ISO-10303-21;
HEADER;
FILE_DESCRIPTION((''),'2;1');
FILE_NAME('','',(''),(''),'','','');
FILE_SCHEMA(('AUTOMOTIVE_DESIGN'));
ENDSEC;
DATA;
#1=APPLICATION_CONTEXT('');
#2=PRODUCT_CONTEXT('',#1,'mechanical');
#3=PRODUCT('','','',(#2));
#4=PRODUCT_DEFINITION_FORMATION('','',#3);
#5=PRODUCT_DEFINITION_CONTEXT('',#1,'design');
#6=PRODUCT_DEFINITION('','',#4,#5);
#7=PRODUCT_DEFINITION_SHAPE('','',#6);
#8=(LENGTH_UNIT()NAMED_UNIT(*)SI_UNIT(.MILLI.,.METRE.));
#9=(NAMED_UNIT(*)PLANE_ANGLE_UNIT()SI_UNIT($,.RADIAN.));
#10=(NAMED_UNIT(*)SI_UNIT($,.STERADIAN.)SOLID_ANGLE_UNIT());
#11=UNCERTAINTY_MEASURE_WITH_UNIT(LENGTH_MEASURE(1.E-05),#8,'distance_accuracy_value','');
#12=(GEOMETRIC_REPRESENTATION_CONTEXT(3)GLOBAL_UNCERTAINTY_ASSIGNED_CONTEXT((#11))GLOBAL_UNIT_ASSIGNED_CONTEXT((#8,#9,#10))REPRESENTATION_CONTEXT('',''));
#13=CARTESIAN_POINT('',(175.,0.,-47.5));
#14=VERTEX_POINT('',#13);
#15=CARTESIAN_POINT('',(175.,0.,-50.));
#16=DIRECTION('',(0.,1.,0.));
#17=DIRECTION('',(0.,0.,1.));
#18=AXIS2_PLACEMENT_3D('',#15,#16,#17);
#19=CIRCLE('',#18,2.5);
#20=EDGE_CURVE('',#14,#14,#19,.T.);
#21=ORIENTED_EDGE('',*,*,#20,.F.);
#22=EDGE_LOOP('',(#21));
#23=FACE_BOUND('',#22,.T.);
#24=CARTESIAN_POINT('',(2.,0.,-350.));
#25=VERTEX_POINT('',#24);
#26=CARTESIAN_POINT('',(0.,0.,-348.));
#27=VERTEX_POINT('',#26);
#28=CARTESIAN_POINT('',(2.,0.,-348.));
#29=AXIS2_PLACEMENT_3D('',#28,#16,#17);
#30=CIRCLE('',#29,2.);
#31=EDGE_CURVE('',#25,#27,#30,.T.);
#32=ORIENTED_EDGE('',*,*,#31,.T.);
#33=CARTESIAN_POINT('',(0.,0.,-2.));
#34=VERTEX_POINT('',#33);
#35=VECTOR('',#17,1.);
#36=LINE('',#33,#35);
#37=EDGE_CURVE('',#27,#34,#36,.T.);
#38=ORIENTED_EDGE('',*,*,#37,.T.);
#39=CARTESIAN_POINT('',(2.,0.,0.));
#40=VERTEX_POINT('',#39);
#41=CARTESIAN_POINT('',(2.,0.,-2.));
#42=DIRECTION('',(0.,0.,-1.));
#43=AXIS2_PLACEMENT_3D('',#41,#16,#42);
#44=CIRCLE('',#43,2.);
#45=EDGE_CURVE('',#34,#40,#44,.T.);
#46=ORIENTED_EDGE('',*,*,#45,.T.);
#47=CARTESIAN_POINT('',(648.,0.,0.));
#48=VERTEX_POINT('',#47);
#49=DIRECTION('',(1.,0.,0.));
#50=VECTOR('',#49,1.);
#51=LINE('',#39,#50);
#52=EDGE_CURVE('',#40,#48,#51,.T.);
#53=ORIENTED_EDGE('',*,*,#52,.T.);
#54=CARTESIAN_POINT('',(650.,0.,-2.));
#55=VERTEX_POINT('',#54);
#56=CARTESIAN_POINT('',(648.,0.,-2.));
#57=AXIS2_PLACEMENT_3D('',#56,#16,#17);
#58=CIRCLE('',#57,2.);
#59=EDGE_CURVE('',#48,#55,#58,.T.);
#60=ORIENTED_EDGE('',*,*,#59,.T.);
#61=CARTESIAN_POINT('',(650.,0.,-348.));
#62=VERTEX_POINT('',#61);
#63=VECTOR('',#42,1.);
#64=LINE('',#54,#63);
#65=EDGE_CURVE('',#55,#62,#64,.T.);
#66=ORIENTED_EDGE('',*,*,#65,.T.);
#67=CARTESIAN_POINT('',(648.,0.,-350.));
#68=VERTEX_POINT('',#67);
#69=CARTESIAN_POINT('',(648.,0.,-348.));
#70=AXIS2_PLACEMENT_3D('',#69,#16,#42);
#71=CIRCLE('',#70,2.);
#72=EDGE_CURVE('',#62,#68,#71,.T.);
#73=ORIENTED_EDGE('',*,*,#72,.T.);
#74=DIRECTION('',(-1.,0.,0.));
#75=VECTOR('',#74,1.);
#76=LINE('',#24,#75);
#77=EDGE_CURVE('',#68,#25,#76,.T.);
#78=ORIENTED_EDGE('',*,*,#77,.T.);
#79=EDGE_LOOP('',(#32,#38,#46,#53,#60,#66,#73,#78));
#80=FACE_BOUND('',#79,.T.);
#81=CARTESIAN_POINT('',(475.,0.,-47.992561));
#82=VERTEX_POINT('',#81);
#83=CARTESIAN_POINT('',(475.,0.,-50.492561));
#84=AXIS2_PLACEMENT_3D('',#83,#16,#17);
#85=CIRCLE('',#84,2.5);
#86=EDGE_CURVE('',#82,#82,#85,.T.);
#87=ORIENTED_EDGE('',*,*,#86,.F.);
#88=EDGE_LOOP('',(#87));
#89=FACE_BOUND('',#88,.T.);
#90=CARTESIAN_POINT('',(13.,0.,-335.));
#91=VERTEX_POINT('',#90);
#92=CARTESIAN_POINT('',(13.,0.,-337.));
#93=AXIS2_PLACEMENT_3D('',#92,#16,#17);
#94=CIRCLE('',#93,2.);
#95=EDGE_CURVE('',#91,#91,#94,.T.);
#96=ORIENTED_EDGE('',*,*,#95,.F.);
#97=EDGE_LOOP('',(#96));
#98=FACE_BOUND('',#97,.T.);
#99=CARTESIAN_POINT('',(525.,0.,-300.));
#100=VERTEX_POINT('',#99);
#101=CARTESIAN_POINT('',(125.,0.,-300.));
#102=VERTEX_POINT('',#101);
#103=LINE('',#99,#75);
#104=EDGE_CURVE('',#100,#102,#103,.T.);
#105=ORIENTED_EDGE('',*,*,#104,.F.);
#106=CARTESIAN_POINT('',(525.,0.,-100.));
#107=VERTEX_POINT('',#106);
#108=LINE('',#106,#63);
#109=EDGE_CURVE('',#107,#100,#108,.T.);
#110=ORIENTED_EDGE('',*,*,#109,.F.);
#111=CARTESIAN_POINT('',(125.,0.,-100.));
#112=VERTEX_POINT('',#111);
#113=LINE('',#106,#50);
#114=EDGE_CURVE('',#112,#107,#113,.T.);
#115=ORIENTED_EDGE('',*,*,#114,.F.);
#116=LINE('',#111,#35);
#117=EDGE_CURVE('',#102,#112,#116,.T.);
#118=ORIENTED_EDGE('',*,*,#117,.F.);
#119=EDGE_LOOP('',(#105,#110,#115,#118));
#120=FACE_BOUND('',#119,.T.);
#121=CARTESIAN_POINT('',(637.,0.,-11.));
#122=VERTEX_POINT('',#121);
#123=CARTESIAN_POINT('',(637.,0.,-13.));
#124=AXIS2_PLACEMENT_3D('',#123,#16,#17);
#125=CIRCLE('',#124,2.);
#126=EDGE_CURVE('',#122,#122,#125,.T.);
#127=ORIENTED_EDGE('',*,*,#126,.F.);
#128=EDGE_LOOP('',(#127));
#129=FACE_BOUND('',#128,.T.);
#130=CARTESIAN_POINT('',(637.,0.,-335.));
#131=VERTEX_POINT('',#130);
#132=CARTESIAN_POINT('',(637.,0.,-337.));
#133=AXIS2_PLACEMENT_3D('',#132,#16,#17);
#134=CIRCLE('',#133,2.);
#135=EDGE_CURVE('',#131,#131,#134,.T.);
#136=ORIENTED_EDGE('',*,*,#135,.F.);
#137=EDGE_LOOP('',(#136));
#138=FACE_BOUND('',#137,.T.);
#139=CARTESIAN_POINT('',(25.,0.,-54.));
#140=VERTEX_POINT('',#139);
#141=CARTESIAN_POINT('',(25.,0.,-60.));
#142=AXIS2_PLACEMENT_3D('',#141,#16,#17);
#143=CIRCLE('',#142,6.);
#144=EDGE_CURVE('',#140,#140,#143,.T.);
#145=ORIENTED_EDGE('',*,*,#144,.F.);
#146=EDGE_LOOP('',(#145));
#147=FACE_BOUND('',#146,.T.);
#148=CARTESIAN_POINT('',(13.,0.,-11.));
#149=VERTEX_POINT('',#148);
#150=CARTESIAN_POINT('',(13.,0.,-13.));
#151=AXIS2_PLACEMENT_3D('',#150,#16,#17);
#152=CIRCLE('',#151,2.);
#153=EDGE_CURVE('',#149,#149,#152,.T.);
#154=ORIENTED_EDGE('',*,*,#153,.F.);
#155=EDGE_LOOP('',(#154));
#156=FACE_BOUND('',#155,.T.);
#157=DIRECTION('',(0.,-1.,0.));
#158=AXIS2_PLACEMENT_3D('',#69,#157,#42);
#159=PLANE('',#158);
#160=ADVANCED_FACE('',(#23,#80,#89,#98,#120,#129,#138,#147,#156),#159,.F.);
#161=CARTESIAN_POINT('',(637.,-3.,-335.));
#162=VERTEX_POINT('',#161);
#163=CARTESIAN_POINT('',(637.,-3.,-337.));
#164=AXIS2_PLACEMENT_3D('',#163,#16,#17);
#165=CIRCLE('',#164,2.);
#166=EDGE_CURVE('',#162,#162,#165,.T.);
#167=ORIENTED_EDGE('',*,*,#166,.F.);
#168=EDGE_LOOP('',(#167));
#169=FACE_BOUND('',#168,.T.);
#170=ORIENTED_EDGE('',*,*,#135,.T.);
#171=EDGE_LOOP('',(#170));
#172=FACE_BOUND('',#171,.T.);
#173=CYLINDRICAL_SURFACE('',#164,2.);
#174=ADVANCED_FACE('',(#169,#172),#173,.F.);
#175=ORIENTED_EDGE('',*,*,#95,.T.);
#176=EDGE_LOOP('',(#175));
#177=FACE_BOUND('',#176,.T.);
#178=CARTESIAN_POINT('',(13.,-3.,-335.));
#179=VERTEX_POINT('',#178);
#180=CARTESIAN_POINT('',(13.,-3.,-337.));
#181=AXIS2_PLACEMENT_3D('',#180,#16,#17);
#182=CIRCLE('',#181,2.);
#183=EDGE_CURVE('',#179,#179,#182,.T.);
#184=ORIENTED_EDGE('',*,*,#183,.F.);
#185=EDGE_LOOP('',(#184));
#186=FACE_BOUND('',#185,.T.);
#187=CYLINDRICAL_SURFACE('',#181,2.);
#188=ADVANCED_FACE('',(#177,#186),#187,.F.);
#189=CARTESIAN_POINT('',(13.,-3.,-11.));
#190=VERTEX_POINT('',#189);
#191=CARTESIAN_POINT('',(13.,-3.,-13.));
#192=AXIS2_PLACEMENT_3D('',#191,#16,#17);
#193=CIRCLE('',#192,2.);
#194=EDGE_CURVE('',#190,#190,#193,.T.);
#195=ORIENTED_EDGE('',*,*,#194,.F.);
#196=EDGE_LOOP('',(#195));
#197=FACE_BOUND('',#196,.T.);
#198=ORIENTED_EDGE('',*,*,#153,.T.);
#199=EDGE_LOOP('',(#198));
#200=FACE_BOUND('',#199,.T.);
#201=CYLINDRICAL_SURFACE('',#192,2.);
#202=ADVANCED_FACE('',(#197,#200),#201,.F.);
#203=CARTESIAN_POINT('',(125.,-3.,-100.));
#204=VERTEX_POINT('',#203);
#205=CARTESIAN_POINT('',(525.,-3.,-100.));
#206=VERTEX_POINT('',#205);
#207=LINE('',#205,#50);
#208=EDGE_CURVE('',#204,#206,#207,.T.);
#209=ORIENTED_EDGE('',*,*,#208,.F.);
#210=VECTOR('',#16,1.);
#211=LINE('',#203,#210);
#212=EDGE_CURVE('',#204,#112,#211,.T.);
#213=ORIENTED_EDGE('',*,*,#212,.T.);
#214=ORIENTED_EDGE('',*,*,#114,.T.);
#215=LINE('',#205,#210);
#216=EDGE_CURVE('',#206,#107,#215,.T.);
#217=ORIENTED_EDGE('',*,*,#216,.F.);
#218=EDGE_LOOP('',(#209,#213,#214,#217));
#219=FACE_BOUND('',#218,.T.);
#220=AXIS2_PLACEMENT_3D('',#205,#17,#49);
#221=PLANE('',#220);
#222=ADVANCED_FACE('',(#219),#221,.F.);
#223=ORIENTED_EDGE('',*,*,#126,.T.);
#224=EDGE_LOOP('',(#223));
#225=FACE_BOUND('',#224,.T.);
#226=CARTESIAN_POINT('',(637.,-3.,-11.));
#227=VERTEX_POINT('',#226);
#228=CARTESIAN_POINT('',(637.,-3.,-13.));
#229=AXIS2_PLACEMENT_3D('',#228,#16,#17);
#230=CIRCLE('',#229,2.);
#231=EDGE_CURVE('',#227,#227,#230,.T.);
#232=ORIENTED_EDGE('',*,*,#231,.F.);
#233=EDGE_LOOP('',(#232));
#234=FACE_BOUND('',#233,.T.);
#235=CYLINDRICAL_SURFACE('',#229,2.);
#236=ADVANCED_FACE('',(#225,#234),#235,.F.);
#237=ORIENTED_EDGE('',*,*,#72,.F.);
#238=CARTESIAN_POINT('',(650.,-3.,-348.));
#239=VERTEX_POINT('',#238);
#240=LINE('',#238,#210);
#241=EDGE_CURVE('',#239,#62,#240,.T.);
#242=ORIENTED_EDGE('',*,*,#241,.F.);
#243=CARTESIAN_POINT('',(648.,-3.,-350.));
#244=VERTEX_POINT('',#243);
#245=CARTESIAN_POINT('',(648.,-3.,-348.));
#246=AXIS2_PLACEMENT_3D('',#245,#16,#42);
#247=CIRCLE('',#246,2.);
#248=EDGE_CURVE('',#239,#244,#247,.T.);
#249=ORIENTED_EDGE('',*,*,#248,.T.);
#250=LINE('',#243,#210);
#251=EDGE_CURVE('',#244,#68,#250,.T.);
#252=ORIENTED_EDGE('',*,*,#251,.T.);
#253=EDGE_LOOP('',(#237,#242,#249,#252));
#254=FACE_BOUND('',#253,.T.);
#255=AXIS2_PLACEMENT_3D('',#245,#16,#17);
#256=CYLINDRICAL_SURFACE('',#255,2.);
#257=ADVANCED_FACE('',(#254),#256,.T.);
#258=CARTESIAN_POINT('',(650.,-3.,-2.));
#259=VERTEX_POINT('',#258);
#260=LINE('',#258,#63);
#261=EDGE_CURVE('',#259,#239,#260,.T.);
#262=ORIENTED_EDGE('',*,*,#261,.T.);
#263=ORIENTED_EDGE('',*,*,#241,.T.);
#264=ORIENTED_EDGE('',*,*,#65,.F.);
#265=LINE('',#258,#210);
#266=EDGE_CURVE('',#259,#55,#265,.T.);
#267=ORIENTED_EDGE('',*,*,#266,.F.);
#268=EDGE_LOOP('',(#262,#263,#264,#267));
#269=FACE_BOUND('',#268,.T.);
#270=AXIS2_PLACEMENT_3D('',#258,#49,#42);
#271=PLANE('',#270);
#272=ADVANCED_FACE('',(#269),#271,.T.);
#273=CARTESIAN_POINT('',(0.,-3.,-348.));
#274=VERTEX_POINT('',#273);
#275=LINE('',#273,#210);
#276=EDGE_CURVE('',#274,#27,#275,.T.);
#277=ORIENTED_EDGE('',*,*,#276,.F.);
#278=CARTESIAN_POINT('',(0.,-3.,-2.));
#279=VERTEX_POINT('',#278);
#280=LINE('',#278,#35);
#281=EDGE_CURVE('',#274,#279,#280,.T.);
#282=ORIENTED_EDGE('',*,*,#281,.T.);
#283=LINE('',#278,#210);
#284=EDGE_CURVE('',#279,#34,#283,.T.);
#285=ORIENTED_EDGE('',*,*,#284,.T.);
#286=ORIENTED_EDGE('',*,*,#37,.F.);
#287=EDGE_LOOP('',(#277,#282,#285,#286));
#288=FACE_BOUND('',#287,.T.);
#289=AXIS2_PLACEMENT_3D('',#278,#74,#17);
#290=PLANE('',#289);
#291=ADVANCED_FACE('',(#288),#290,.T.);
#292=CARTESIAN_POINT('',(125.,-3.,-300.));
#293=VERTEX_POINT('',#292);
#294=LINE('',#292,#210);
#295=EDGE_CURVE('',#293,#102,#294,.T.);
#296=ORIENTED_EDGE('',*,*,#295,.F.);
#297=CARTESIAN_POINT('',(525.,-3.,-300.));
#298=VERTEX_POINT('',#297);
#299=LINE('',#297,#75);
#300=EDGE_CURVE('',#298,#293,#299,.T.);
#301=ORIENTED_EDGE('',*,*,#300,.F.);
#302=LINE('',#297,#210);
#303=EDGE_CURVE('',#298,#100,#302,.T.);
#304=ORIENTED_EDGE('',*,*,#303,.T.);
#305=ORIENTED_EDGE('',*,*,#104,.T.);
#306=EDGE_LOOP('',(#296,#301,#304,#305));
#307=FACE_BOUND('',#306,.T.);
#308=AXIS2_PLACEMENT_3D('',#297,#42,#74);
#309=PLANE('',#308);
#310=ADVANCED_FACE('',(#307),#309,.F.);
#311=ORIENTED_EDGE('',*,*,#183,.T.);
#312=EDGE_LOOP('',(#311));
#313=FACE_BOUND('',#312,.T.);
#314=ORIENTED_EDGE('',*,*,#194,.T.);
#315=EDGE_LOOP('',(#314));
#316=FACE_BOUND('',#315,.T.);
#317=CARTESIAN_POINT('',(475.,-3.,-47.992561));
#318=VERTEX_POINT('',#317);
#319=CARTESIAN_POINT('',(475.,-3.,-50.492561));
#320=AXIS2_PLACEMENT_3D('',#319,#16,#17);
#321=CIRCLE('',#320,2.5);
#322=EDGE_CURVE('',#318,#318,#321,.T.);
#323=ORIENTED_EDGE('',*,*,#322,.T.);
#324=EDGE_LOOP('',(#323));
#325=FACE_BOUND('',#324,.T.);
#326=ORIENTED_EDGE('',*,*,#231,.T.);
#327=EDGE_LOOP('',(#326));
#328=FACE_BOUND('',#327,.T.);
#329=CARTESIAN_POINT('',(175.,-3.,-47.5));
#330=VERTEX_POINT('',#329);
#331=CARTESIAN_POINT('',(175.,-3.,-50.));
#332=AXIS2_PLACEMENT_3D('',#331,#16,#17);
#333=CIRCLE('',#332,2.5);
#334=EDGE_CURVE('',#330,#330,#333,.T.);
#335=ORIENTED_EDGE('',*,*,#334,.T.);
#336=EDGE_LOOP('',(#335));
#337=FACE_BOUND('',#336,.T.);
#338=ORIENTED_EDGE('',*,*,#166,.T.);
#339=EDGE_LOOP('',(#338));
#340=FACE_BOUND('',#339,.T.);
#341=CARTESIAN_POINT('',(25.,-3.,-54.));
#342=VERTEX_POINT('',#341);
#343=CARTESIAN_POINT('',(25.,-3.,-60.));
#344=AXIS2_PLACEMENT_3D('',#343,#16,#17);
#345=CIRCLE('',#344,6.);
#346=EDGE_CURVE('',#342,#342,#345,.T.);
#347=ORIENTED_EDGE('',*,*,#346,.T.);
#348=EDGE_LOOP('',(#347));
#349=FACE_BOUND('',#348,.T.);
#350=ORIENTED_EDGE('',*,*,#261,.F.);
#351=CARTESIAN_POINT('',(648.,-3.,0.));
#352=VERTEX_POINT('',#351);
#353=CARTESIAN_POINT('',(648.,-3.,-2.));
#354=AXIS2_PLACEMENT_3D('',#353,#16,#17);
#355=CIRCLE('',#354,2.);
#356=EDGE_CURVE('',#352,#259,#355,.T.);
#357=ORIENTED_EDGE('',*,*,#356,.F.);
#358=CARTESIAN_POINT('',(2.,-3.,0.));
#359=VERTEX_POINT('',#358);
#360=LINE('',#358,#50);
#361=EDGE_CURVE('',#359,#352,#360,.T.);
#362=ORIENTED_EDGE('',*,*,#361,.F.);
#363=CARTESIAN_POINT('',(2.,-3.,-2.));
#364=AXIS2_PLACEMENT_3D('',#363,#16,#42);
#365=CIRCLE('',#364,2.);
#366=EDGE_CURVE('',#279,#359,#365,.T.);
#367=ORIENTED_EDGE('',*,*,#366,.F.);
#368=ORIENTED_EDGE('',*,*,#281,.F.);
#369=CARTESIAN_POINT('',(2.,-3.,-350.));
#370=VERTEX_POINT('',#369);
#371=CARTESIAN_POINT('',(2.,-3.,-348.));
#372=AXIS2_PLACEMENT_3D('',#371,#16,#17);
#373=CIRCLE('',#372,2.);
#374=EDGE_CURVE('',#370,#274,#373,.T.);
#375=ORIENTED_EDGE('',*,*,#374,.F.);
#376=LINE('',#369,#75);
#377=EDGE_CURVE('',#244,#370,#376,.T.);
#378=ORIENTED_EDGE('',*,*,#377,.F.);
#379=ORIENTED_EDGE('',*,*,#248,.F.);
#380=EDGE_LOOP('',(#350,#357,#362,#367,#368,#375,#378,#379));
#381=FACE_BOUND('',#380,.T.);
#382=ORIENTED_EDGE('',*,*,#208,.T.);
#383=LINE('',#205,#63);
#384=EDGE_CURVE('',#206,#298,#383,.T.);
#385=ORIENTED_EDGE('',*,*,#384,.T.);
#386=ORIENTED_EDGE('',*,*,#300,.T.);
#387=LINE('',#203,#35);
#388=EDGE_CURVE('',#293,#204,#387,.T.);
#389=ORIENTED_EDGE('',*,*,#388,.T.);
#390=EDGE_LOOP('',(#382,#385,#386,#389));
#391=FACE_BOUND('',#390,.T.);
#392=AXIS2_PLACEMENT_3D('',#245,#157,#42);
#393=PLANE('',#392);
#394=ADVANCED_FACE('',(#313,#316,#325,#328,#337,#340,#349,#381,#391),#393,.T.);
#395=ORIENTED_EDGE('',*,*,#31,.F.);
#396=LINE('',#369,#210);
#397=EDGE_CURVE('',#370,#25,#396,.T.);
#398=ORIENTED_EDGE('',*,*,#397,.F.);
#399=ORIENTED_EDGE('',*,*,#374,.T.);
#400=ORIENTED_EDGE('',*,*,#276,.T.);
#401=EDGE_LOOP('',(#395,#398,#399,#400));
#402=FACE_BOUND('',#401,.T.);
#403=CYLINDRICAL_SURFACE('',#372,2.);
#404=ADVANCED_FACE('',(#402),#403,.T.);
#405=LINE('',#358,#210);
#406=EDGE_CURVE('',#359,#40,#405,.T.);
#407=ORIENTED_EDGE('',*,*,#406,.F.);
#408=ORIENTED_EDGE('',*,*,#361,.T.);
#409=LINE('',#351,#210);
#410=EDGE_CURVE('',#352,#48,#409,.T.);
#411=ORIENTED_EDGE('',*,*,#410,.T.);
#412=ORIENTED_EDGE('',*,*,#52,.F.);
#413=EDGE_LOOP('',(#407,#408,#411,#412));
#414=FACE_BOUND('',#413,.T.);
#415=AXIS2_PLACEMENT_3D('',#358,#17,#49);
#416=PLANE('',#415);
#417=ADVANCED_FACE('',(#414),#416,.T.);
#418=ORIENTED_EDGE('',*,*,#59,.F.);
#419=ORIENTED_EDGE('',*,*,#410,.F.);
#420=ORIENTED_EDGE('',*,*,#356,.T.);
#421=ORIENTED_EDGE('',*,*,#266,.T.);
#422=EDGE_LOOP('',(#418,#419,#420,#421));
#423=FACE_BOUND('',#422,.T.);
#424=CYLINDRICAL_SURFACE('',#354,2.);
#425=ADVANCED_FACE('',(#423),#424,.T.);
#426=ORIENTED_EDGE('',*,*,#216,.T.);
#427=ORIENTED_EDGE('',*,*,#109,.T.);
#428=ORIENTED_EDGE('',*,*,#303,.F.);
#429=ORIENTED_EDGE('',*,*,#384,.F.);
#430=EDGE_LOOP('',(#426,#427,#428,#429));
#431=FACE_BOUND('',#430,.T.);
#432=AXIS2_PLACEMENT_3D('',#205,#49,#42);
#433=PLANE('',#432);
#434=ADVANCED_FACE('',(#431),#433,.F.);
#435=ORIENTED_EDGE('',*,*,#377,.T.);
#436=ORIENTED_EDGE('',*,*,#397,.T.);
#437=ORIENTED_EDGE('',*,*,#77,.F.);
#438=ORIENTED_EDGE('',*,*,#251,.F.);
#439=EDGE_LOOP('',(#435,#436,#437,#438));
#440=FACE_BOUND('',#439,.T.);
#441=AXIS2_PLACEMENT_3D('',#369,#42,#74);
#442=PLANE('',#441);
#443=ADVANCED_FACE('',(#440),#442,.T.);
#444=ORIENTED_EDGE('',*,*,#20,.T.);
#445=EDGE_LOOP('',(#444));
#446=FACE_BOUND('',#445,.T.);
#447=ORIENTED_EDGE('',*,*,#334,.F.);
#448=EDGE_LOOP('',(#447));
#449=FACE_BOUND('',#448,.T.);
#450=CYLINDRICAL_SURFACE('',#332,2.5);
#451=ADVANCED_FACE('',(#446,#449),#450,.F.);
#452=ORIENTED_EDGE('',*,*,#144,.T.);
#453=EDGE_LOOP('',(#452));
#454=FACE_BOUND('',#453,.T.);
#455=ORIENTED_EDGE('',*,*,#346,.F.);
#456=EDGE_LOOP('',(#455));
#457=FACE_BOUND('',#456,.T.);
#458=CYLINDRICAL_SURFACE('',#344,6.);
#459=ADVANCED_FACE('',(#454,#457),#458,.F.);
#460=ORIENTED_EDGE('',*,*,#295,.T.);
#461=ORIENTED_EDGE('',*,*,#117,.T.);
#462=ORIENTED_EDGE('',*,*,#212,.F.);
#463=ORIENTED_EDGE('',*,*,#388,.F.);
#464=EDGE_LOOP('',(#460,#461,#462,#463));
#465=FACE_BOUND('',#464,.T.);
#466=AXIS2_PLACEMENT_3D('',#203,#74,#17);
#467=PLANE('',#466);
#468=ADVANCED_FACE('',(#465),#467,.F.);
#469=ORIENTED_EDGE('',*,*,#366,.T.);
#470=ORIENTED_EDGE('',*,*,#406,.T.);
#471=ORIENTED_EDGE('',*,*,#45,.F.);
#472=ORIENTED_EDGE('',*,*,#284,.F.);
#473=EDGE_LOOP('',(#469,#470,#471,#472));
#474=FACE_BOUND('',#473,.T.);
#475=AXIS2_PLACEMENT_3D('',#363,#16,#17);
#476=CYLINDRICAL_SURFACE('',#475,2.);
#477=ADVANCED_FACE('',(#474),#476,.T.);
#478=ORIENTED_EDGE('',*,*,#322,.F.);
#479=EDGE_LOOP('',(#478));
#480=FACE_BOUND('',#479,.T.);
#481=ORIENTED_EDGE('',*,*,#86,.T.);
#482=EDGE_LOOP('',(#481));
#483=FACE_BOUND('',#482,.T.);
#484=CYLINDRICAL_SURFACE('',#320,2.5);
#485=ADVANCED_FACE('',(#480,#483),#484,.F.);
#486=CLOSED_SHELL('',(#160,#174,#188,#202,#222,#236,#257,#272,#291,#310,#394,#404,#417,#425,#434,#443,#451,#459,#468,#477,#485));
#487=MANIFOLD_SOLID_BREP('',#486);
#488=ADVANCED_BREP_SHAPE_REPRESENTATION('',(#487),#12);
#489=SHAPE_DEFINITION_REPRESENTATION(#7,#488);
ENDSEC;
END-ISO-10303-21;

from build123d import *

# Parameters (mm, degrees)
SKETCH_1_R      = 2
SKETCH_1_R_2    = 2.5
SKETCH_1_R_3    = 6
SKETCH_1_W      = 400
SKETCH_1_H      = 200
EXTRUDE_1_DEPTH = 3


with BuildPart() as part:
    # 草图1 → 凸台-拉伸1 (new body)
    with BuildSketch(Plane(origin=(0, 0, 0), x_dir=(1, 0, 0), z_dir=(0, 1, 0))):
        with BuildLine():
            Line((2, 0), (648, 0))
            ThreePointArc((648, 0), (649.414213562, 0.585786438), (650, 2))
            Line((650, 2), (650, 348))
            ThreePointArc((650, 348), (649.414213562, 349.414213562), (648, 350))
            Line((648, 350), (2, 350))
            ThreePointArc((2, 350), (0.585786438, 349.414213562), (0, 348))
            Line((0, 348), (0, 2))
            ThreePointArc((0, 2), (0.585786438, 0.585786438), (2, 0))
        make_face()
        with Locations(Location((13, 13, 0), (0, 0, 270))):
            Circle(SKETCH_1_R, mode=Mode.SUBTRACT)
        with Locations(Location((637, 13, 0), (0, 0, 270))):
            Circle(SKETCH_1_R, mode=Mode.SUBTRACT)
        with Locations(Location((13, 337, 0), (0, 0, 270))):
            Circle(SKETCH_1_R, mode=Mode.SUBTRACT)
        with Locations(Location((637, 337, 0), (0, 0, 270))):
            Circle(SKETCH_1_R, mode=Mode.SUBTRACT)
        with Locations(Location((475, 50.49256144, 0), (0, 0, 270))):
            Circle(SKETCH_1_R_2, mode=Mode.SUBTRACT)
        with Locations(Location((175, 50, 0), (0, 0, 270))):
            Circle(SKETCH_1_R_2, mode=Mode.SUBTRACT)
        with Locations(Location((25, 60, 0), (0, 0, 270))):
            Circle(SKETCH_1_R_3, mode=Mode.SUBTRACT)
        with Locations((325, 200)):
            Rectangle(SKETCH_1_W, SKETCH_1_H, mode=Mode.SUBTRACT)
    extrude(amount=-EXTRUDE_1_DEPTH)


solid = part.part
